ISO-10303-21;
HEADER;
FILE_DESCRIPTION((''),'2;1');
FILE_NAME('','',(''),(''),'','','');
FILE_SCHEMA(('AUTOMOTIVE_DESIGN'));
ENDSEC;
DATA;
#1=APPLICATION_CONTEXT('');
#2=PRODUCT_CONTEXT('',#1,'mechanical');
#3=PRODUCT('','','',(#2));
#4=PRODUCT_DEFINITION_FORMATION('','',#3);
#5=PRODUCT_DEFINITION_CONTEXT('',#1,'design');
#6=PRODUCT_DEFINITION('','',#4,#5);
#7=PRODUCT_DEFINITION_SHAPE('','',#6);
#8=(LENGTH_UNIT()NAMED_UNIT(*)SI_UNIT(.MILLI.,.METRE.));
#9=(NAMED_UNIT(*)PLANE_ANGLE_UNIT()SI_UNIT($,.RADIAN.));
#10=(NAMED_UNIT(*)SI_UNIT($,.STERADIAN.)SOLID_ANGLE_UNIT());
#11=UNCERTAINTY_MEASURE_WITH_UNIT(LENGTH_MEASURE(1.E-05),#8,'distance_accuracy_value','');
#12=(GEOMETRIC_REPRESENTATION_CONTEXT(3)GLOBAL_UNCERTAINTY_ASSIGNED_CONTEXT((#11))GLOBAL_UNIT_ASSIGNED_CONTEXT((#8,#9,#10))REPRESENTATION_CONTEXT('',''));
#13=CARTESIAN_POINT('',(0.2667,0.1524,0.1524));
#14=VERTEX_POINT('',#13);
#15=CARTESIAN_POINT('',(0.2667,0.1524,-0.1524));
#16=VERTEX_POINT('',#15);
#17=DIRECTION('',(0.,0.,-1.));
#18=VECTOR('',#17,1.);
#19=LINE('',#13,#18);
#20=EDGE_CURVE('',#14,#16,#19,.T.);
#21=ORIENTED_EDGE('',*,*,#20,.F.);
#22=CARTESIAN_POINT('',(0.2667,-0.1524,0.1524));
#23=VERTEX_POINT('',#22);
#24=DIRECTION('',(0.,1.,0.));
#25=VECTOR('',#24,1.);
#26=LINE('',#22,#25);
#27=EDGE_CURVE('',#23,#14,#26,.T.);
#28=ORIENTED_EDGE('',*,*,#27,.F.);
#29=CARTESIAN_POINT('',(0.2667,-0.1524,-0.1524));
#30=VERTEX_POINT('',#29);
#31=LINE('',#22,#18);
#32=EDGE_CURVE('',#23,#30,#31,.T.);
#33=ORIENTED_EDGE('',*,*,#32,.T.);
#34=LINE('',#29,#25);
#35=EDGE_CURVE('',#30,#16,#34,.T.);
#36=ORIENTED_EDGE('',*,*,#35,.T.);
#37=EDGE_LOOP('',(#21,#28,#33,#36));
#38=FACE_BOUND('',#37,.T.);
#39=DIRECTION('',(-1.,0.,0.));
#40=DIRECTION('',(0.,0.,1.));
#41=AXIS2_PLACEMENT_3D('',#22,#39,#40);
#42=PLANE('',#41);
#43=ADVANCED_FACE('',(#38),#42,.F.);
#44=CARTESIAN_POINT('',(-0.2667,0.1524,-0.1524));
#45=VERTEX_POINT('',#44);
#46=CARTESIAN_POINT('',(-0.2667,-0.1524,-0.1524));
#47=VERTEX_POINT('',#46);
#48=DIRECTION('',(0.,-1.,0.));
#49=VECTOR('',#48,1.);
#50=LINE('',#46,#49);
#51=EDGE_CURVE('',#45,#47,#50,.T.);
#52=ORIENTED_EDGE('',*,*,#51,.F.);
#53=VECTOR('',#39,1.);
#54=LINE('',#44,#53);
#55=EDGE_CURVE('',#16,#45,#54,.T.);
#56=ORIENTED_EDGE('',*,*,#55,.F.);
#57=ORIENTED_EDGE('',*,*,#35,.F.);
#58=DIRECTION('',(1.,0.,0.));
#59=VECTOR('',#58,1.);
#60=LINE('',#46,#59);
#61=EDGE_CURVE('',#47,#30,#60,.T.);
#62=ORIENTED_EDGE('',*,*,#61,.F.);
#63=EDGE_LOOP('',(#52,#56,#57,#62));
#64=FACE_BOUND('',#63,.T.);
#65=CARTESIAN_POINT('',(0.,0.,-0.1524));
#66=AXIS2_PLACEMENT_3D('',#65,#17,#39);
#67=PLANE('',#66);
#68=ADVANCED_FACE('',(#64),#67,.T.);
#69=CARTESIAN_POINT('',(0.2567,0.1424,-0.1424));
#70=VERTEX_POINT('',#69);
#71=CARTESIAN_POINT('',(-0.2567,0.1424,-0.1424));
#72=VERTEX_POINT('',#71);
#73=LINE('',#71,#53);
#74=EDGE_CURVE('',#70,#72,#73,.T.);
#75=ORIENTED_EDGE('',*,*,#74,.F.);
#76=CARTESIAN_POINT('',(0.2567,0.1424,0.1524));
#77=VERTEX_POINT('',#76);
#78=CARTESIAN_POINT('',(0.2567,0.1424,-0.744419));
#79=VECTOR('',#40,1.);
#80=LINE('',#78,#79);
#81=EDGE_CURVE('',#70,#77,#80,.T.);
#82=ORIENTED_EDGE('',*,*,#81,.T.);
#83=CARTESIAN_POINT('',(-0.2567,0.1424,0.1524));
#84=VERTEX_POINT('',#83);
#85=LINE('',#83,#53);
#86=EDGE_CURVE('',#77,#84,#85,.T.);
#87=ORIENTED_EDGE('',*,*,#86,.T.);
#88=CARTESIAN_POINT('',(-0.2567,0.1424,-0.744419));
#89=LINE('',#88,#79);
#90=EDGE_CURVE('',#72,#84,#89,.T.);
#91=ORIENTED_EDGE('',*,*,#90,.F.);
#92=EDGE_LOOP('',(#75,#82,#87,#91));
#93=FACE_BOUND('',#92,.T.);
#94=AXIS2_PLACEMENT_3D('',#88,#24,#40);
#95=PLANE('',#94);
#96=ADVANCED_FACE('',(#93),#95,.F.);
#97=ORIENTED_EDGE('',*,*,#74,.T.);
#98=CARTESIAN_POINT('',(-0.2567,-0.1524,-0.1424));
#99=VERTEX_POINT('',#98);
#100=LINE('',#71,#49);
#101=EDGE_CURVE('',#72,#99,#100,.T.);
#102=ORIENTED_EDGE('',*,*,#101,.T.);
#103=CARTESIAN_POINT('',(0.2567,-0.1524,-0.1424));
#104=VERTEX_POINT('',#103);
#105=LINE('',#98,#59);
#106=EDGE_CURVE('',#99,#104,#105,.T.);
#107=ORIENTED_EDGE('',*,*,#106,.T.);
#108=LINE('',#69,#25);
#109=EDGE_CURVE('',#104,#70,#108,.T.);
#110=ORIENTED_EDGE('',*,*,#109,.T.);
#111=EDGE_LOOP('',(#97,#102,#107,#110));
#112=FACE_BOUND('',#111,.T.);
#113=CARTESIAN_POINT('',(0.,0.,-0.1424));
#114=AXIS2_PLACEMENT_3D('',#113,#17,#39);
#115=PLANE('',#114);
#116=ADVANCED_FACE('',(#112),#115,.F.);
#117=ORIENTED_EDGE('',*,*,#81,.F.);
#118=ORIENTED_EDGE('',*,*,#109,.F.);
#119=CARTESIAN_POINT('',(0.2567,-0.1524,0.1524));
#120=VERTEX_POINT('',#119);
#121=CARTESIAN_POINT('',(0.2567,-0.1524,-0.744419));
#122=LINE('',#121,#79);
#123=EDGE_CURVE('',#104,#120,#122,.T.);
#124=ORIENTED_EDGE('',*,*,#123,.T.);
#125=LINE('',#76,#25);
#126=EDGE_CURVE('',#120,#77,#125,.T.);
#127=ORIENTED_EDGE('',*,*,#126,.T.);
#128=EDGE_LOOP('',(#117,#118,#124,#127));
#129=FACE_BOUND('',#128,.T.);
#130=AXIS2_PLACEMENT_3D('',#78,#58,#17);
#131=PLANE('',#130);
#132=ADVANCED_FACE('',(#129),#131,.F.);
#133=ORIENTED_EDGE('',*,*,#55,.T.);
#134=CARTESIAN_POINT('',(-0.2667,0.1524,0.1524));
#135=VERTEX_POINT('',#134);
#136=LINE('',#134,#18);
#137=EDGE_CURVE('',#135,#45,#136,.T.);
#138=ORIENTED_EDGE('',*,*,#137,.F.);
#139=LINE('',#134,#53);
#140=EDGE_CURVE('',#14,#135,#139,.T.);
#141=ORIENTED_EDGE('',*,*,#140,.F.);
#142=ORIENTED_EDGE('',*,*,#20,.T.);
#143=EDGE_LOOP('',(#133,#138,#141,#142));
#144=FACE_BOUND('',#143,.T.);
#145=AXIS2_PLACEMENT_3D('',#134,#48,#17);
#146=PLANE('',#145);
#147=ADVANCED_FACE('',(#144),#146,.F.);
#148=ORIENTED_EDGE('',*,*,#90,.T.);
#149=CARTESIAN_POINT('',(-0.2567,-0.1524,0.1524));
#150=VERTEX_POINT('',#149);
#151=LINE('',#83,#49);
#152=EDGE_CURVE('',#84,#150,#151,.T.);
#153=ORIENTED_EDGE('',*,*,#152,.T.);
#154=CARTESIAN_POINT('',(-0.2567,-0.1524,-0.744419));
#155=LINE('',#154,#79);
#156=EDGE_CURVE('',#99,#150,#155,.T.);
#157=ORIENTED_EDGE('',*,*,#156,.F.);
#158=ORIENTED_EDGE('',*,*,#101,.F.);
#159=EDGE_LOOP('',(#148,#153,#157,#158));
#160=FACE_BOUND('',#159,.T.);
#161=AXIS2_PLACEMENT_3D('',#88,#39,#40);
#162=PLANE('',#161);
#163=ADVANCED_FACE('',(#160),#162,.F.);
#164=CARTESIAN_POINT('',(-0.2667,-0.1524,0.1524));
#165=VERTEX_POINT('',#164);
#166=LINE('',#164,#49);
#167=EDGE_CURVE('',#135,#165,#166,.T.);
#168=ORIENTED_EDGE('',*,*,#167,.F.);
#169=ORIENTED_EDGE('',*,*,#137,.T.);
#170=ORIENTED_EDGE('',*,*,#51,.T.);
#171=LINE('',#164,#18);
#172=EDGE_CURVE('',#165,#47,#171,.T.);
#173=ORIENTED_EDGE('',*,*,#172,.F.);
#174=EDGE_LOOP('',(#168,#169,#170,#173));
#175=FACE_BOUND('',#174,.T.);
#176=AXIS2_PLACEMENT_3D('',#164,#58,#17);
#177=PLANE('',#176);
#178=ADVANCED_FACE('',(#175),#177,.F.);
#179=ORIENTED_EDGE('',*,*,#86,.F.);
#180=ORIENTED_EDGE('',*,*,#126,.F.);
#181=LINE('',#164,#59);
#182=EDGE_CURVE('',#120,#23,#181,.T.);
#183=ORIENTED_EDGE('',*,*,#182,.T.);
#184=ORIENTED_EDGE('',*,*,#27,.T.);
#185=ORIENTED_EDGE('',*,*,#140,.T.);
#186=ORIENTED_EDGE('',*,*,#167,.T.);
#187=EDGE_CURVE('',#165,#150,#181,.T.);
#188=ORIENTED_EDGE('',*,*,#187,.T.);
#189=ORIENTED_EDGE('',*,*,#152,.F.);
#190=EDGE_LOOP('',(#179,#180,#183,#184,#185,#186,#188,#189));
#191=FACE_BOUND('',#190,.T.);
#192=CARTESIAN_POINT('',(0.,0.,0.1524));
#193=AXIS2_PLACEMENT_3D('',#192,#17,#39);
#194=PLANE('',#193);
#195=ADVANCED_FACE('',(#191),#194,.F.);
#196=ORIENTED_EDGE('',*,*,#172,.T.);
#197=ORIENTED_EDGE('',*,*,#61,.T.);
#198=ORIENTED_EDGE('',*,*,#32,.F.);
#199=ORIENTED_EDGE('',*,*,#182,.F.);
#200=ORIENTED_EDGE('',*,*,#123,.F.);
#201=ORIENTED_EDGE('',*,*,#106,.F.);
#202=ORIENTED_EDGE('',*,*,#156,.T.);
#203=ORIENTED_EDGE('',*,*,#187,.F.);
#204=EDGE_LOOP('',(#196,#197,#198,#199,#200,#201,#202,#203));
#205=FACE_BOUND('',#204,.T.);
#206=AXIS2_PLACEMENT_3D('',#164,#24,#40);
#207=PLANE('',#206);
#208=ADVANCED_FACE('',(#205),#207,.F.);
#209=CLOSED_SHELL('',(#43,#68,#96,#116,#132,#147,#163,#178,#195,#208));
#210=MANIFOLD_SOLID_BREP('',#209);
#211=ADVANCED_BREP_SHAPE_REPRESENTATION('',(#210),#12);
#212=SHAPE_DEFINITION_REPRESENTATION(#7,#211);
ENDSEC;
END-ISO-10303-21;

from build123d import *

# Parameters (mm, degrees)
SKETCH1_W           = 0.5334
SKETCH1_H           = 0.3048
BOSS_EXTRUDE1_DEPTH = 0.1524
SKETCH2_W           = 0.5134
SKETCH2_H           = 0.2948
CUT_EXTRUDE1_DEPTH  = 0.2948


with BuildPart() as part:
    # Sketch1 → Boss-Extrude1 (new, symmetric)
    with BuildSketch(Plane.XY):
        Rectangle(SKETCH1_W, SKETCH1_H)
    extrude(amount=BOSS_EXTRUDE1_DEPTH, both=True)

    # Sketch2 → Cut-Extrude1 (cut)
    with BuildSketch(Plane.XY.offset(0.1524)):
        with Locations((0, -0.005)):
            Rectangle(SKETCH2_W, SKETCH2_H)
    extrude(amount=-CUT_EXTRUDE1_DEPTH, mode=Mode.SUBTRACT)


solid = part.part
